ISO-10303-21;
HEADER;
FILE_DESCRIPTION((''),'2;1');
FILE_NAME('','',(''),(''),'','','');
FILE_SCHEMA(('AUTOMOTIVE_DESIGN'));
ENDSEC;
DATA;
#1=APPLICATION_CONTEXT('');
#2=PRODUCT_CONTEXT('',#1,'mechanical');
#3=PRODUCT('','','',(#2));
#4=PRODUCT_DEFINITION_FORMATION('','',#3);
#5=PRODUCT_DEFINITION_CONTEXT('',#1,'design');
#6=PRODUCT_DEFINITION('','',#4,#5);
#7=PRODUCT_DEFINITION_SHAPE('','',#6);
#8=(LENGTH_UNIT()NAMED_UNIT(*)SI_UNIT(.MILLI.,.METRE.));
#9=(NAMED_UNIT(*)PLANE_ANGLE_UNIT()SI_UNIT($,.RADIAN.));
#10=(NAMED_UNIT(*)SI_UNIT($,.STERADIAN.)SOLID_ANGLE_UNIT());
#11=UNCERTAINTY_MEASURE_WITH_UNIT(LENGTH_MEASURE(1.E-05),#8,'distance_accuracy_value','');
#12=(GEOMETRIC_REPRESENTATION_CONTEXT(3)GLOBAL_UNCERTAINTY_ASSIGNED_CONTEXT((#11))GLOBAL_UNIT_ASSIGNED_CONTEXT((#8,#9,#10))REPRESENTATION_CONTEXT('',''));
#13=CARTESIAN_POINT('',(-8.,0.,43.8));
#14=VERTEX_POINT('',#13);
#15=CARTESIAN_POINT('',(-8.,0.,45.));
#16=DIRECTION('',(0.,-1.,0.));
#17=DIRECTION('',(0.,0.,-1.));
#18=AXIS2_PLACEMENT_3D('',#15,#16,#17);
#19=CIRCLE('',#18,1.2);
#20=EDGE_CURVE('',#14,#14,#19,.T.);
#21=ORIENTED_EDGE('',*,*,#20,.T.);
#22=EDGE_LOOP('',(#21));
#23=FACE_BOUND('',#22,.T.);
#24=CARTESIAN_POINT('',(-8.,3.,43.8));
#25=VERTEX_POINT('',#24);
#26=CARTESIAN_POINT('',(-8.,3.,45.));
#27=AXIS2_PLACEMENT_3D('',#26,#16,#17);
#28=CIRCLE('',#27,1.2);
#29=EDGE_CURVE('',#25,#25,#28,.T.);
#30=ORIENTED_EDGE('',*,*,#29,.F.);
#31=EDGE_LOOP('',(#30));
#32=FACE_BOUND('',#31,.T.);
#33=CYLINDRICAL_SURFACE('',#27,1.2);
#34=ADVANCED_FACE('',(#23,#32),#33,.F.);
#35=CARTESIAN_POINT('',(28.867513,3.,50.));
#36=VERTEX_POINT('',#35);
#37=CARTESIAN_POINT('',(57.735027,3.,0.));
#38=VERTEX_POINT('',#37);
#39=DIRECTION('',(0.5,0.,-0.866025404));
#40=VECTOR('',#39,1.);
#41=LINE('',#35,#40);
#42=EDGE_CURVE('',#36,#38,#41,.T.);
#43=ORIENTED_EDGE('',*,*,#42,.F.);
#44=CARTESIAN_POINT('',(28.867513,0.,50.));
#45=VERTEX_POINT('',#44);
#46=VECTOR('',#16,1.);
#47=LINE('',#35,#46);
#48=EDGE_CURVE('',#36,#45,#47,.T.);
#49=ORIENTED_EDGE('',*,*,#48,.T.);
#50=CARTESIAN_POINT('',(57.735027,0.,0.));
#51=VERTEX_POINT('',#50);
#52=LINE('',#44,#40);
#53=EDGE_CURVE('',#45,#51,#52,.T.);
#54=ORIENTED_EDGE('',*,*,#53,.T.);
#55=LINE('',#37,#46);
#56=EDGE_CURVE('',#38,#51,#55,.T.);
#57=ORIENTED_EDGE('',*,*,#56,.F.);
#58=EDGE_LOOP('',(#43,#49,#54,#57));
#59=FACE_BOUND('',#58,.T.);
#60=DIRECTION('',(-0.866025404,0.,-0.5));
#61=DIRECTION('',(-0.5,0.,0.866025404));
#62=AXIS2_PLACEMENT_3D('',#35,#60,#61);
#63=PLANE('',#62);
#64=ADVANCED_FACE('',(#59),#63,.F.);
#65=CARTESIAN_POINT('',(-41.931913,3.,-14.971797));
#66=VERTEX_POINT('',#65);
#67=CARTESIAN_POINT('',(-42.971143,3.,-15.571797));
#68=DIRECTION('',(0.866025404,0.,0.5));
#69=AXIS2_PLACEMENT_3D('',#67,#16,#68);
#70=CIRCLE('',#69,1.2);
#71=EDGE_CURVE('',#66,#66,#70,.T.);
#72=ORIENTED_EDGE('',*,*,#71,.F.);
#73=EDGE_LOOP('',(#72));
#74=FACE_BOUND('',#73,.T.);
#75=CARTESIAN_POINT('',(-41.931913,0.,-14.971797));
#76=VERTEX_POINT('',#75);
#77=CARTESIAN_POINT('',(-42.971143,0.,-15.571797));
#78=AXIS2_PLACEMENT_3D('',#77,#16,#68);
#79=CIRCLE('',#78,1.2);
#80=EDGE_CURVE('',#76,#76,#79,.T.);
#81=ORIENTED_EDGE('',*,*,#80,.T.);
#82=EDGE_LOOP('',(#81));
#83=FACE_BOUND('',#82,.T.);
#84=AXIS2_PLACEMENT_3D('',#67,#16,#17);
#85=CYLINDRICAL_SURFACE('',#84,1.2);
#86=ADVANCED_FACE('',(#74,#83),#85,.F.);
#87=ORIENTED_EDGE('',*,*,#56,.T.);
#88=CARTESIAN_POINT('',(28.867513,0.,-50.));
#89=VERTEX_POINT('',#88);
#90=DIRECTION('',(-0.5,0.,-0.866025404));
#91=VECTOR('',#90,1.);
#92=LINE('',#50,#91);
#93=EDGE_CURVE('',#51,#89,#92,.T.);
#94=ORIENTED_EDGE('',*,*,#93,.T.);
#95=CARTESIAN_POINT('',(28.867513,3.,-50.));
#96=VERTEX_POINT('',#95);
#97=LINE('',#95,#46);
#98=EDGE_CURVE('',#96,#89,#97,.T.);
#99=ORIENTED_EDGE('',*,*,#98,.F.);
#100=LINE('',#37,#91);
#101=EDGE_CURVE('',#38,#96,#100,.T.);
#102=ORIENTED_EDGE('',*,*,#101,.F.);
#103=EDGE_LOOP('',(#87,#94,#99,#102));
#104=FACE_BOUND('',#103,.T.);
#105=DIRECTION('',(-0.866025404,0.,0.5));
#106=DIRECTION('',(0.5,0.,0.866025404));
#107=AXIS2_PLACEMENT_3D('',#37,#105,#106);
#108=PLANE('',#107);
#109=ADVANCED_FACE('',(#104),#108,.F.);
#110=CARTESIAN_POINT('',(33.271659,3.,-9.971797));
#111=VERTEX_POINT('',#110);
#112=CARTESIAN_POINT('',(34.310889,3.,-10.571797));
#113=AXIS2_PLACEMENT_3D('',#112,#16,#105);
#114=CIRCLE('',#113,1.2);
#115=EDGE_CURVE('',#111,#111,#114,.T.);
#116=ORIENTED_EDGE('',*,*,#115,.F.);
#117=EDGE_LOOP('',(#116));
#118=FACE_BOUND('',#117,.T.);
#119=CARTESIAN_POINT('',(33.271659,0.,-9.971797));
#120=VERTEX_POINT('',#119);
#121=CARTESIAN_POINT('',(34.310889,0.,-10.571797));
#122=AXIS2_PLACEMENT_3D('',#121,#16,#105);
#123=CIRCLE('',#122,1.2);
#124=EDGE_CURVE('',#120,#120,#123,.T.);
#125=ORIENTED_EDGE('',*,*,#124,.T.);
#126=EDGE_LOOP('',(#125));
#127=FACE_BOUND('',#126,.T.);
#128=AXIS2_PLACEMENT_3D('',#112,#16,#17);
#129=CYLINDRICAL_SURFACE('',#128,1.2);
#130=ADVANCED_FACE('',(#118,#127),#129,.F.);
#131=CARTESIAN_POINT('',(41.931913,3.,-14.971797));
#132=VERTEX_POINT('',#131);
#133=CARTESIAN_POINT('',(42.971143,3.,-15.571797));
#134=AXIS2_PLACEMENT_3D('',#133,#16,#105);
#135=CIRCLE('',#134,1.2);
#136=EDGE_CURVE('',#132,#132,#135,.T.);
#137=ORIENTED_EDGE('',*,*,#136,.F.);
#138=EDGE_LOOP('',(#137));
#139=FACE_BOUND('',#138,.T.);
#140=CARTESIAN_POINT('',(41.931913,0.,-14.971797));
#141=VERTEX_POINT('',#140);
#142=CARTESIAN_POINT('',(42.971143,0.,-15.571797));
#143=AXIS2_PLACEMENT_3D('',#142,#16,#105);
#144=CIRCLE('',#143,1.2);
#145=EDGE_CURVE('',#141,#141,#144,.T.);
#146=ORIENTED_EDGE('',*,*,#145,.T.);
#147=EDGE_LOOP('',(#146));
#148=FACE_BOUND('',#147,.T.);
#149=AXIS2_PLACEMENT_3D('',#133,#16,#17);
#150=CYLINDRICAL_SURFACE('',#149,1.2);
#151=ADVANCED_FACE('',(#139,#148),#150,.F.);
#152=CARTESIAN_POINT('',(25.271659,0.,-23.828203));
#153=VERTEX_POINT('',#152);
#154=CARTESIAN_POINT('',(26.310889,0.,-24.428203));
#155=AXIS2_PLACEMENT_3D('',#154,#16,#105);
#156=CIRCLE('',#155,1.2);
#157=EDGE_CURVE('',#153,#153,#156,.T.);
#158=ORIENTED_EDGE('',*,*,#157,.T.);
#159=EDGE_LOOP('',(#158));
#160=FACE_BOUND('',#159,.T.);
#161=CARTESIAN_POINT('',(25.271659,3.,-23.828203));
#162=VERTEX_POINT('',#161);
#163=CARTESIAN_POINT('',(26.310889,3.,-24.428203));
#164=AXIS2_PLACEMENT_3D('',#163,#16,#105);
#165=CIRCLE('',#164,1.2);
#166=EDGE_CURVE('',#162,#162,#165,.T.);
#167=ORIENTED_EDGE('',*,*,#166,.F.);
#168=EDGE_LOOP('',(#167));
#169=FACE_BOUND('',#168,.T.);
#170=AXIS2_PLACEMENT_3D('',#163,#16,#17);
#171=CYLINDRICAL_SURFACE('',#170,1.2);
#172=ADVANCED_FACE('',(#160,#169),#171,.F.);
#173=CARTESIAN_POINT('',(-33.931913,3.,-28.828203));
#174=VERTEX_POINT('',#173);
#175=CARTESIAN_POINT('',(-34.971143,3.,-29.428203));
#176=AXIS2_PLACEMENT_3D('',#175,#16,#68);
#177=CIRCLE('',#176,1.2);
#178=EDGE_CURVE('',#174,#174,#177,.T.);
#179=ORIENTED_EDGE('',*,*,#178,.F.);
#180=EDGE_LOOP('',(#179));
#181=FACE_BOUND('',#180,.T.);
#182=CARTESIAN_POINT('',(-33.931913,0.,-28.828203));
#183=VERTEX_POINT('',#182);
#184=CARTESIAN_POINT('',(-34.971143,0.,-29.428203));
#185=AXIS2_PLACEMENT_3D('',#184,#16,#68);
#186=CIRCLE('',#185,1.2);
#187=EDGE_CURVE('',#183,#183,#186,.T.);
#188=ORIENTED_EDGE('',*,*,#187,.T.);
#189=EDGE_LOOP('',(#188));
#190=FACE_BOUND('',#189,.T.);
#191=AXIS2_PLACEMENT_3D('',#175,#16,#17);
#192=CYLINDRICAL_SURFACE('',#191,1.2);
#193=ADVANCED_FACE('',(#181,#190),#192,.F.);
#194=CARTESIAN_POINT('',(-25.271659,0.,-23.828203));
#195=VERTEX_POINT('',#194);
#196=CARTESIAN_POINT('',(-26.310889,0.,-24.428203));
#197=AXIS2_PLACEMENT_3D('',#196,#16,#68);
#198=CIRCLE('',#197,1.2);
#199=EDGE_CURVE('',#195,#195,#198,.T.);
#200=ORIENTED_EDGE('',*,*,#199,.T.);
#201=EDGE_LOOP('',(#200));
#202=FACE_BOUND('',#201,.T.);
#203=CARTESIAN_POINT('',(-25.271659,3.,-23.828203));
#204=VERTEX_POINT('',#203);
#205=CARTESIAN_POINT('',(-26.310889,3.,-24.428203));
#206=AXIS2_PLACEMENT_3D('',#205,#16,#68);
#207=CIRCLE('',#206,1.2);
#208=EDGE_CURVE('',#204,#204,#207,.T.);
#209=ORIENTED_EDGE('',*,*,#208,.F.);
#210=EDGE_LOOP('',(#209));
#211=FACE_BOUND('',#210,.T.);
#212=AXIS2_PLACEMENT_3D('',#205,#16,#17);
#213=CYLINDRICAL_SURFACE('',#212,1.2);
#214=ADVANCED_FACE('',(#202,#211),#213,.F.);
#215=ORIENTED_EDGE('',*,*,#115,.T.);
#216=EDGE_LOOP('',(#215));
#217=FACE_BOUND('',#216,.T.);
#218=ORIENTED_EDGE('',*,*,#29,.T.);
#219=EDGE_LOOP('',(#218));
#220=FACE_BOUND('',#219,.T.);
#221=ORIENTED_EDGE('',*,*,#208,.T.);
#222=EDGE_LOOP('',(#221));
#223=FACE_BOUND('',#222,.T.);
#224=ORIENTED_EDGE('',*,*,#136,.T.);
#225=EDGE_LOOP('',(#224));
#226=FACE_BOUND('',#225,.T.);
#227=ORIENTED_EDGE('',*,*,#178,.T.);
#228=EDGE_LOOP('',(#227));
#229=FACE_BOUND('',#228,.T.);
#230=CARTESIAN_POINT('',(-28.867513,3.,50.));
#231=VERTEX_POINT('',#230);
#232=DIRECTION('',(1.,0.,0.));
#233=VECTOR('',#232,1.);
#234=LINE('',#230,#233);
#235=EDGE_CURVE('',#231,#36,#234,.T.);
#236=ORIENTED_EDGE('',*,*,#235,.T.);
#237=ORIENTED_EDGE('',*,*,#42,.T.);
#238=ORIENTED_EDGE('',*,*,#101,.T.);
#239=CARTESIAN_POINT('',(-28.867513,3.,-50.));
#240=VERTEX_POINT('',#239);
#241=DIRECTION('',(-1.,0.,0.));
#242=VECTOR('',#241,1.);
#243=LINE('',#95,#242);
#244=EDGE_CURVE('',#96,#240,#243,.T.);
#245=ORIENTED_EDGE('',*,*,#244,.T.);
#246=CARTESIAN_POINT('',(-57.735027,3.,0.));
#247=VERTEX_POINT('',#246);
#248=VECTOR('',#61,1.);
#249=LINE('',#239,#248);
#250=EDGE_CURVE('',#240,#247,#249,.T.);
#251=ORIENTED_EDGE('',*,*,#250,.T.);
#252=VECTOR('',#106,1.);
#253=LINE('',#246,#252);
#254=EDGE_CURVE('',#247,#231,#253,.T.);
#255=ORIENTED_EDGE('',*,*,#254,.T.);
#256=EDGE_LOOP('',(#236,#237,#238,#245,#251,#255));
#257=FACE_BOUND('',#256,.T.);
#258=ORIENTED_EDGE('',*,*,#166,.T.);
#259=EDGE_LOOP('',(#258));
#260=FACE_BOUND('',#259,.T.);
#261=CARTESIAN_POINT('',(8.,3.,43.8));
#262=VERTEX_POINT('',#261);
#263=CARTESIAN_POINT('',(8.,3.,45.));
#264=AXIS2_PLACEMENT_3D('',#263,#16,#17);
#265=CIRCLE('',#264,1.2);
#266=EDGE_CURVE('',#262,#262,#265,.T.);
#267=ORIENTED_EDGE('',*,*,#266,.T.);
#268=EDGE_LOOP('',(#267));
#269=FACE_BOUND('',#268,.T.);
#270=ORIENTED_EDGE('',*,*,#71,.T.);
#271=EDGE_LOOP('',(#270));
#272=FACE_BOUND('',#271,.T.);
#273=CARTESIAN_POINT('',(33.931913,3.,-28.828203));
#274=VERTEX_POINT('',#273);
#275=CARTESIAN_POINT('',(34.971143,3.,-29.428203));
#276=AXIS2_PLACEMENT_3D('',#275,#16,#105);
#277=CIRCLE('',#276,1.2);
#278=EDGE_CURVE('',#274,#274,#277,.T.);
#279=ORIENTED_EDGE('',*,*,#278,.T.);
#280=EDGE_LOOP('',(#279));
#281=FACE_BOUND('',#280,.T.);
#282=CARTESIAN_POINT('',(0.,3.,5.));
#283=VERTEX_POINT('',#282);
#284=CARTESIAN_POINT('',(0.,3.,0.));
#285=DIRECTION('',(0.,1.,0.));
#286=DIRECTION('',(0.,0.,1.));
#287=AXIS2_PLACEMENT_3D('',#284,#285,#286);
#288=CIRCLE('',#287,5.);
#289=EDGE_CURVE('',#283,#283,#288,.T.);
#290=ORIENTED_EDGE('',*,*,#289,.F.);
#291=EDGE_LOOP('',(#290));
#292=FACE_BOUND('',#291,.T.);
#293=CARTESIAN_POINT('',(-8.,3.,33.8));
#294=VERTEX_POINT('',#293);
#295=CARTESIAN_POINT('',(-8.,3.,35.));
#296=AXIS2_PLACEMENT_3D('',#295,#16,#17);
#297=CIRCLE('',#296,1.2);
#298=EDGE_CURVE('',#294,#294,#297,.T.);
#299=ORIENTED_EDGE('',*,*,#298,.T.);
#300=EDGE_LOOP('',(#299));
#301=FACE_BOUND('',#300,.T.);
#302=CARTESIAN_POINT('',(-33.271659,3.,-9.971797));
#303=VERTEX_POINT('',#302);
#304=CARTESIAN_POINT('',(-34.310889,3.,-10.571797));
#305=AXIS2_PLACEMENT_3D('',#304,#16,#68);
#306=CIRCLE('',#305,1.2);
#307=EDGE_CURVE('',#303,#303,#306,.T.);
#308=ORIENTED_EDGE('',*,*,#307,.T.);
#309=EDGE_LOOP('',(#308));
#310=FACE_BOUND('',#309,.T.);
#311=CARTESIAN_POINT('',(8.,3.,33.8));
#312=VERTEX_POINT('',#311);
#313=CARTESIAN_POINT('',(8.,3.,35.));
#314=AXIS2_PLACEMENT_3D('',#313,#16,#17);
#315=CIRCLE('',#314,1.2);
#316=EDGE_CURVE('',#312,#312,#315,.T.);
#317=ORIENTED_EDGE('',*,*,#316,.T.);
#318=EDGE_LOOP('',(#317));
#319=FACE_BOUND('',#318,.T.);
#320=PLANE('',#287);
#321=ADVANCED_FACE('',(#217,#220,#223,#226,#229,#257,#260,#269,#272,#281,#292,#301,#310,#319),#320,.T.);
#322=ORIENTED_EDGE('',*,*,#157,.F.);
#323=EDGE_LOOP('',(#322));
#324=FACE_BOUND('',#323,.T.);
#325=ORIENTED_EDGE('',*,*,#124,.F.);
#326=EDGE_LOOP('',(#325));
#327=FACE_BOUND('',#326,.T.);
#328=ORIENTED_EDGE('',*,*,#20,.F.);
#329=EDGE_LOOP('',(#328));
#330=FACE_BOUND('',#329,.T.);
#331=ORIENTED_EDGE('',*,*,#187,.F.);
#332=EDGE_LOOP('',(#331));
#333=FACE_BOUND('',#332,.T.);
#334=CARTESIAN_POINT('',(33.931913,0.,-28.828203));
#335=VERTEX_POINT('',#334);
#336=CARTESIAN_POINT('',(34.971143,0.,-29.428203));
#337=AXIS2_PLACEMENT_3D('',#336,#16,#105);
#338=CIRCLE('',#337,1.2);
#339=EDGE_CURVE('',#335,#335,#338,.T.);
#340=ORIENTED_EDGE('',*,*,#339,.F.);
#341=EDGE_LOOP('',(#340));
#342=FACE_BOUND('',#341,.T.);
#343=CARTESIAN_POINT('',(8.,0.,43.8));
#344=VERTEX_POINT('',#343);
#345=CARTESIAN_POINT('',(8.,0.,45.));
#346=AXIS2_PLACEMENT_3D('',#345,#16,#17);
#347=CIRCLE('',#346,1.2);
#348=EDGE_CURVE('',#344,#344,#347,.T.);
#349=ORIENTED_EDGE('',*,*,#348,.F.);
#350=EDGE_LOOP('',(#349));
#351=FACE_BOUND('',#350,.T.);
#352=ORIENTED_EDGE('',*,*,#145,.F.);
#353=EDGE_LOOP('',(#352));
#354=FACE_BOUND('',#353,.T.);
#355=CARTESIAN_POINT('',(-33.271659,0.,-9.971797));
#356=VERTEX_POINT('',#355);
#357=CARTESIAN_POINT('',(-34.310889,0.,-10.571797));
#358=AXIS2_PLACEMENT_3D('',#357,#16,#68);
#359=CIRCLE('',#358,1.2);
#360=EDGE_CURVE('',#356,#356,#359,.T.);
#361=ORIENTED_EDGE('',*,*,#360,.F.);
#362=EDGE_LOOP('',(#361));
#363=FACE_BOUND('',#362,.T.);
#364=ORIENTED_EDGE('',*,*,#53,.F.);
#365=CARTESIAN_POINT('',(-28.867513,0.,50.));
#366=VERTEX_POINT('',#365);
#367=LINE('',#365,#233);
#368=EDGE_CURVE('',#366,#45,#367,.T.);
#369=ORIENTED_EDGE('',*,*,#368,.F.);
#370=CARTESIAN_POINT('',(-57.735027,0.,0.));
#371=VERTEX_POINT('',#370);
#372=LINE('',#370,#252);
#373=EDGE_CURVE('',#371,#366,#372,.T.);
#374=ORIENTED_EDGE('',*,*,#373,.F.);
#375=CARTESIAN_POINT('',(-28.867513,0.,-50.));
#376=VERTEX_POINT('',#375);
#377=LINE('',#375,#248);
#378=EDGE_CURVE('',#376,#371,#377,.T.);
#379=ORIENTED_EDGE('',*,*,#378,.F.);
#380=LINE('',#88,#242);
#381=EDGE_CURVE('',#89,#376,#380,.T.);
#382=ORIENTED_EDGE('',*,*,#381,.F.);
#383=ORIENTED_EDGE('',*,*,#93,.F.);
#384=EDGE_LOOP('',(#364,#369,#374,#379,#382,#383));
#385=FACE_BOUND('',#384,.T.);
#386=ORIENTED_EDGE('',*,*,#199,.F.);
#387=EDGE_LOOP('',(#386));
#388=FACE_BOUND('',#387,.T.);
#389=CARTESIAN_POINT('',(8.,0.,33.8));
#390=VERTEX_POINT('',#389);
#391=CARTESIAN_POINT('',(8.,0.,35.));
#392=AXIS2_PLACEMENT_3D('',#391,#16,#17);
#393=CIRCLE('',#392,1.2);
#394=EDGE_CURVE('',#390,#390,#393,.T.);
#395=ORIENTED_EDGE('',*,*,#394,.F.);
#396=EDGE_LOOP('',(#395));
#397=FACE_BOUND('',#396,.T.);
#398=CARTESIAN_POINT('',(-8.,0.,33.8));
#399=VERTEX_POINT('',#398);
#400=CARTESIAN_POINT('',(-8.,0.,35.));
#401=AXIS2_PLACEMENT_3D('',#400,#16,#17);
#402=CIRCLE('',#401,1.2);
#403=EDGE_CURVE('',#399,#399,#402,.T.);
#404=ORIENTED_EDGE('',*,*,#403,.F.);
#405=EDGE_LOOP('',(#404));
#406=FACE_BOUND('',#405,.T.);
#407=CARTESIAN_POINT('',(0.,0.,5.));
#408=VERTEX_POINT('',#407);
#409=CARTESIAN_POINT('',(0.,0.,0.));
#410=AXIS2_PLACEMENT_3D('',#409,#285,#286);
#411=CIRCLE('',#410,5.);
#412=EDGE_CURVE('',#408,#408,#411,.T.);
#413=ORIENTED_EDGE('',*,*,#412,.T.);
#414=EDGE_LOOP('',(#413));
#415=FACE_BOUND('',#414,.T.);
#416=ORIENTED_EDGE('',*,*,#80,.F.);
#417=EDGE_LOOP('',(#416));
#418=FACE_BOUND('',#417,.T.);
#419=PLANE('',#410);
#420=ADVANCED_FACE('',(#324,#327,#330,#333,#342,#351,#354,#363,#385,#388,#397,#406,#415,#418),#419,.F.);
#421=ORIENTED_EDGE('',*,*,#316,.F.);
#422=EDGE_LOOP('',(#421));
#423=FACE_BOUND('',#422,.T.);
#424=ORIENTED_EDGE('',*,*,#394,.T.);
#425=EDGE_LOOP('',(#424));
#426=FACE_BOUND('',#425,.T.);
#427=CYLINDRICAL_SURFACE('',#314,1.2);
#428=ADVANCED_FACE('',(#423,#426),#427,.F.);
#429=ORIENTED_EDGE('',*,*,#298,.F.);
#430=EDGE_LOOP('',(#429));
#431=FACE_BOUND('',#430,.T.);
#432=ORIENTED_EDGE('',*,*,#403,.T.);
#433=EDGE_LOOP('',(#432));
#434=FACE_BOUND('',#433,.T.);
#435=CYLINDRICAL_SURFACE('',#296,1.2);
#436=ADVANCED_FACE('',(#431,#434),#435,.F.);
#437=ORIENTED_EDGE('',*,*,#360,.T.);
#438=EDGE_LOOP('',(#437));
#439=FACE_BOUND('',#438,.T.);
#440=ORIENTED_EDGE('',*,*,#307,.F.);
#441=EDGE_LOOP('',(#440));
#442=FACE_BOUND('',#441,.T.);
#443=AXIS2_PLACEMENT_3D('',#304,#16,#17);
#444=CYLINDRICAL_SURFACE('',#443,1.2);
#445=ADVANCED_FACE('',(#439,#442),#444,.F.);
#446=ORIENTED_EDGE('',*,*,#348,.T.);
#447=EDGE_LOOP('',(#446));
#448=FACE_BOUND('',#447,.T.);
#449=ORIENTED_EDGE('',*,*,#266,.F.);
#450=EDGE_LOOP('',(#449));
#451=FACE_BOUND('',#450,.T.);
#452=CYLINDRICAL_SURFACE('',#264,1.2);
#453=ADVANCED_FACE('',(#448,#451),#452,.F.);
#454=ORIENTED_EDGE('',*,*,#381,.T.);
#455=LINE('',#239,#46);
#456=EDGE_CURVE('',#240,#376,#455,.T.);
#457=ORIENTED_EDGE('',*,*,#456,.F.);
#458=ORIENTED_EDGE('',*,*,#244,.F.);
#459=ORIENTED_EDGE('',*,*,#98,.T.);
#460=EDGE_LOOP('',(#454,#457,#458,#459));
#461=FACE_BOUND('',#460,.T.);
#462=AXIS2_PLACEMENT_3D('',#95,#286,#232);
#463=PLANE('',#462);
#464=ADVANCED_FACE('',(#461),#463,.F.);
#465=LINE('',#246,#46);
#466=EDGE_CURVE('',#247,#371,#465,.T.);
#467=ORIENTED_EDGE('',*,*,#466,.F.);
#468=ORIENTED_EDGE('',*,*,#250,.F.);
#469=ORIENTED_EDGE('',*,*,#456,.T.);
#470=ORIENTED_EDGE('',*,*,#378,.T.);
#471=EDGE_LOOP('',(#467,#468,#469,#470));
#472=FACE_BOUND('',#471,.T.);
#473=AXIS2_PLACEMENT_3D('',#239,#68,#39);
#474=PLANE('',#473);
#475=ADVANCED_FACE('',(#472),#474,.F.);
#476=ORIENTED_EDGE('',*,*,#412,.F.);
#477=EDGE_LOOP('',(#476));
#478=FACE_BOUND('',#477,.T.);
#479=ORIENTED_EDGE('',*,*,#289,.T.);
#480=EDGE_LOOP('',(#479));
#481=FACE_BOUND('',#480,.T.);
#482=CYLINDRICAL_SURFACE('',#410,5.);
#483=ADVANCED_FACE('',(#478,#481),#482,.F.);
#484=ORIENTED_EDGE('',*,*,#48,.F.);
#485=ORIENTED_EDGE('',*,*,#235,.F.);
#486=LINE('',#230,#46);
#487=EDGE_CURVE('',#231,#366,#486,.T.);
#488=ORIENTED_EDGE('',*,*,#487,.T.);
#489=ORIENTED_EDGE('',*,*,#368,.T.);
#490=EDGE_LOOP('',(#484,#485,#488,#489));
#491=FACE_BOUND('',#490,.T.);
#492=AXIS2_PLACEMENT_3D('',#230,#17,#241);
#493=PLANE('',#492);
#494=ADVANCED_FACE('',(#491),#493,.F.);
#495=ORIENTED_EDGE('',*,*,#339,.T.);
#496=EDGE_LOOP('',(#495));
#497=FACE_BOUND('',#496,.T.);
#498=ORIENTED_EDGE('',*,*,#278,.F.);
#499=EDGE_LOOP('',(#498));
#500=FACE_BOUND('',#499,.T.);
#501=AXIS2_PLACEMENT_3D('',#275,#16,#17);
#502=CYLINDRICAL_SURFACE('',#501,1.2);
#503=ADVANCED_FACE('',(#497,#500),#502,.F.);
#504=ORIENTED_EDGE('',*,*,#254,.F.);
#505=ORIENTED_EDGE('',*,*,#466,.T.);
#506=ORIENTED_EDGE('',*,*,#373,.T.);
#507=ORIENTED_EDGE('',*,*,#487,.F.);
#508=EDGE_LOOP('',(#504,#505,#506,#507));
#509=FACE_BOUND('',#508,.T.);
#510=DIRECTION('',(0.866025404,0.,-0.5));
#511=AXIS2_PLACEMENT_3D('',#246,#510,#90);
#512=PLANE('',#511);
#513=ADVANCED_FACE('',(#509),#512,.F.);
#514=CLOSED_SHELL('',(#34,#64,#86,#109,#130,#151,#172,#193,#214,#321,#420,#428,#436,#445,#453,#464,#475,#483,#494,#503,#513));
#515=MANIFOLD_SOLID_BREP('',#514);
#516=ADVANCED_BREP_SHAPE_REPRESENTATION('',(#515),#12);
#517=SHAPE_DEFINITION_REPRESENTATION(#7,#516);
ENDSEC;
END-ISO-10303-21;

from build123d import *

# Parameters (mm, degrees)
EXTRUDE_1_DEPTH          = 3
SKETCH_2_R               = 5
CUT_EXTRUDE_1_DEPTH      = 3
SKETCH_3_R               = 1.2
CUT_EXTRUDE_2_DEPTH      = 3
PATTERN_CIRCULAR_1_COUNT = 3


with BuildPart() as part:
    # 草图1 → 凸台-拉伸1 (new body)
    with BuildSketch(Plane(origin=(0, 0, 0), x_dir=(1, 0, 0), z_dir=(0, 1, 0))):
        Polygon((28.867513459, 50), (-28.867513459, 50), (-57.735026919, 0), (-28.867513459, -50), (28.867513459, -50), (57.735026919, 0), align=None)
    extrude(amount=EXTRUDE_1_DEPTH)

    # 草图2 → 切除-拉伸1 (cut)
    with BuildSketch(Plane(origin=(0, 3, 0), x_dir=(1, 0, 0), z_dir=(0, 1, 0))):
        with Locations(Location((0, 0, 0), (0, 0, 270))):
            Circle(SKETCH_2_R)
    extrude(amount=-CUT_EXTRUDE_1_DEPTH, mode=Mode.SUBTRACT)

    # 草图3 → 切除-拉伸2 (cut)
    with BuildSketch(Plane.XZ):
        with Locations(Location((-8, 45, 0), (0, 0, 270))):
            Circle(SKETCH_3_R)
        with Locations(Location((8, 45, 0), (0, 0, 270))):
            Circle(SKETCH_3_R)
        with Locations(Location((8, 35, 0), (0, 0, 270))):
            Circle(SKETCH_3_R)
        with Locations(Location((-8, 35, 0), (0, 0, 270))):
            Circle(SKETCH_3_R)
    cut_extrude_2 = extrude(amount=-CUT_EXTRUDE_2_DEPTH, mode=Mode.SUBTRACT)

    # 阵列(圆周)1: 切除-拉伸2 ×3 about axis
    pattern_circular_1_axis = Axis((0, 0, 0), (0, 1, 0))
    for i in range(1, PATTERN_CIRCULAR_1_COUNT):
        add(cut_extrude_2.rotate(pattern_circular_1_axis, i * 360 / PATTERN_CIRCULAR_1_COUNT), mode=Mode.SUBTRACT)


solid = part.part
